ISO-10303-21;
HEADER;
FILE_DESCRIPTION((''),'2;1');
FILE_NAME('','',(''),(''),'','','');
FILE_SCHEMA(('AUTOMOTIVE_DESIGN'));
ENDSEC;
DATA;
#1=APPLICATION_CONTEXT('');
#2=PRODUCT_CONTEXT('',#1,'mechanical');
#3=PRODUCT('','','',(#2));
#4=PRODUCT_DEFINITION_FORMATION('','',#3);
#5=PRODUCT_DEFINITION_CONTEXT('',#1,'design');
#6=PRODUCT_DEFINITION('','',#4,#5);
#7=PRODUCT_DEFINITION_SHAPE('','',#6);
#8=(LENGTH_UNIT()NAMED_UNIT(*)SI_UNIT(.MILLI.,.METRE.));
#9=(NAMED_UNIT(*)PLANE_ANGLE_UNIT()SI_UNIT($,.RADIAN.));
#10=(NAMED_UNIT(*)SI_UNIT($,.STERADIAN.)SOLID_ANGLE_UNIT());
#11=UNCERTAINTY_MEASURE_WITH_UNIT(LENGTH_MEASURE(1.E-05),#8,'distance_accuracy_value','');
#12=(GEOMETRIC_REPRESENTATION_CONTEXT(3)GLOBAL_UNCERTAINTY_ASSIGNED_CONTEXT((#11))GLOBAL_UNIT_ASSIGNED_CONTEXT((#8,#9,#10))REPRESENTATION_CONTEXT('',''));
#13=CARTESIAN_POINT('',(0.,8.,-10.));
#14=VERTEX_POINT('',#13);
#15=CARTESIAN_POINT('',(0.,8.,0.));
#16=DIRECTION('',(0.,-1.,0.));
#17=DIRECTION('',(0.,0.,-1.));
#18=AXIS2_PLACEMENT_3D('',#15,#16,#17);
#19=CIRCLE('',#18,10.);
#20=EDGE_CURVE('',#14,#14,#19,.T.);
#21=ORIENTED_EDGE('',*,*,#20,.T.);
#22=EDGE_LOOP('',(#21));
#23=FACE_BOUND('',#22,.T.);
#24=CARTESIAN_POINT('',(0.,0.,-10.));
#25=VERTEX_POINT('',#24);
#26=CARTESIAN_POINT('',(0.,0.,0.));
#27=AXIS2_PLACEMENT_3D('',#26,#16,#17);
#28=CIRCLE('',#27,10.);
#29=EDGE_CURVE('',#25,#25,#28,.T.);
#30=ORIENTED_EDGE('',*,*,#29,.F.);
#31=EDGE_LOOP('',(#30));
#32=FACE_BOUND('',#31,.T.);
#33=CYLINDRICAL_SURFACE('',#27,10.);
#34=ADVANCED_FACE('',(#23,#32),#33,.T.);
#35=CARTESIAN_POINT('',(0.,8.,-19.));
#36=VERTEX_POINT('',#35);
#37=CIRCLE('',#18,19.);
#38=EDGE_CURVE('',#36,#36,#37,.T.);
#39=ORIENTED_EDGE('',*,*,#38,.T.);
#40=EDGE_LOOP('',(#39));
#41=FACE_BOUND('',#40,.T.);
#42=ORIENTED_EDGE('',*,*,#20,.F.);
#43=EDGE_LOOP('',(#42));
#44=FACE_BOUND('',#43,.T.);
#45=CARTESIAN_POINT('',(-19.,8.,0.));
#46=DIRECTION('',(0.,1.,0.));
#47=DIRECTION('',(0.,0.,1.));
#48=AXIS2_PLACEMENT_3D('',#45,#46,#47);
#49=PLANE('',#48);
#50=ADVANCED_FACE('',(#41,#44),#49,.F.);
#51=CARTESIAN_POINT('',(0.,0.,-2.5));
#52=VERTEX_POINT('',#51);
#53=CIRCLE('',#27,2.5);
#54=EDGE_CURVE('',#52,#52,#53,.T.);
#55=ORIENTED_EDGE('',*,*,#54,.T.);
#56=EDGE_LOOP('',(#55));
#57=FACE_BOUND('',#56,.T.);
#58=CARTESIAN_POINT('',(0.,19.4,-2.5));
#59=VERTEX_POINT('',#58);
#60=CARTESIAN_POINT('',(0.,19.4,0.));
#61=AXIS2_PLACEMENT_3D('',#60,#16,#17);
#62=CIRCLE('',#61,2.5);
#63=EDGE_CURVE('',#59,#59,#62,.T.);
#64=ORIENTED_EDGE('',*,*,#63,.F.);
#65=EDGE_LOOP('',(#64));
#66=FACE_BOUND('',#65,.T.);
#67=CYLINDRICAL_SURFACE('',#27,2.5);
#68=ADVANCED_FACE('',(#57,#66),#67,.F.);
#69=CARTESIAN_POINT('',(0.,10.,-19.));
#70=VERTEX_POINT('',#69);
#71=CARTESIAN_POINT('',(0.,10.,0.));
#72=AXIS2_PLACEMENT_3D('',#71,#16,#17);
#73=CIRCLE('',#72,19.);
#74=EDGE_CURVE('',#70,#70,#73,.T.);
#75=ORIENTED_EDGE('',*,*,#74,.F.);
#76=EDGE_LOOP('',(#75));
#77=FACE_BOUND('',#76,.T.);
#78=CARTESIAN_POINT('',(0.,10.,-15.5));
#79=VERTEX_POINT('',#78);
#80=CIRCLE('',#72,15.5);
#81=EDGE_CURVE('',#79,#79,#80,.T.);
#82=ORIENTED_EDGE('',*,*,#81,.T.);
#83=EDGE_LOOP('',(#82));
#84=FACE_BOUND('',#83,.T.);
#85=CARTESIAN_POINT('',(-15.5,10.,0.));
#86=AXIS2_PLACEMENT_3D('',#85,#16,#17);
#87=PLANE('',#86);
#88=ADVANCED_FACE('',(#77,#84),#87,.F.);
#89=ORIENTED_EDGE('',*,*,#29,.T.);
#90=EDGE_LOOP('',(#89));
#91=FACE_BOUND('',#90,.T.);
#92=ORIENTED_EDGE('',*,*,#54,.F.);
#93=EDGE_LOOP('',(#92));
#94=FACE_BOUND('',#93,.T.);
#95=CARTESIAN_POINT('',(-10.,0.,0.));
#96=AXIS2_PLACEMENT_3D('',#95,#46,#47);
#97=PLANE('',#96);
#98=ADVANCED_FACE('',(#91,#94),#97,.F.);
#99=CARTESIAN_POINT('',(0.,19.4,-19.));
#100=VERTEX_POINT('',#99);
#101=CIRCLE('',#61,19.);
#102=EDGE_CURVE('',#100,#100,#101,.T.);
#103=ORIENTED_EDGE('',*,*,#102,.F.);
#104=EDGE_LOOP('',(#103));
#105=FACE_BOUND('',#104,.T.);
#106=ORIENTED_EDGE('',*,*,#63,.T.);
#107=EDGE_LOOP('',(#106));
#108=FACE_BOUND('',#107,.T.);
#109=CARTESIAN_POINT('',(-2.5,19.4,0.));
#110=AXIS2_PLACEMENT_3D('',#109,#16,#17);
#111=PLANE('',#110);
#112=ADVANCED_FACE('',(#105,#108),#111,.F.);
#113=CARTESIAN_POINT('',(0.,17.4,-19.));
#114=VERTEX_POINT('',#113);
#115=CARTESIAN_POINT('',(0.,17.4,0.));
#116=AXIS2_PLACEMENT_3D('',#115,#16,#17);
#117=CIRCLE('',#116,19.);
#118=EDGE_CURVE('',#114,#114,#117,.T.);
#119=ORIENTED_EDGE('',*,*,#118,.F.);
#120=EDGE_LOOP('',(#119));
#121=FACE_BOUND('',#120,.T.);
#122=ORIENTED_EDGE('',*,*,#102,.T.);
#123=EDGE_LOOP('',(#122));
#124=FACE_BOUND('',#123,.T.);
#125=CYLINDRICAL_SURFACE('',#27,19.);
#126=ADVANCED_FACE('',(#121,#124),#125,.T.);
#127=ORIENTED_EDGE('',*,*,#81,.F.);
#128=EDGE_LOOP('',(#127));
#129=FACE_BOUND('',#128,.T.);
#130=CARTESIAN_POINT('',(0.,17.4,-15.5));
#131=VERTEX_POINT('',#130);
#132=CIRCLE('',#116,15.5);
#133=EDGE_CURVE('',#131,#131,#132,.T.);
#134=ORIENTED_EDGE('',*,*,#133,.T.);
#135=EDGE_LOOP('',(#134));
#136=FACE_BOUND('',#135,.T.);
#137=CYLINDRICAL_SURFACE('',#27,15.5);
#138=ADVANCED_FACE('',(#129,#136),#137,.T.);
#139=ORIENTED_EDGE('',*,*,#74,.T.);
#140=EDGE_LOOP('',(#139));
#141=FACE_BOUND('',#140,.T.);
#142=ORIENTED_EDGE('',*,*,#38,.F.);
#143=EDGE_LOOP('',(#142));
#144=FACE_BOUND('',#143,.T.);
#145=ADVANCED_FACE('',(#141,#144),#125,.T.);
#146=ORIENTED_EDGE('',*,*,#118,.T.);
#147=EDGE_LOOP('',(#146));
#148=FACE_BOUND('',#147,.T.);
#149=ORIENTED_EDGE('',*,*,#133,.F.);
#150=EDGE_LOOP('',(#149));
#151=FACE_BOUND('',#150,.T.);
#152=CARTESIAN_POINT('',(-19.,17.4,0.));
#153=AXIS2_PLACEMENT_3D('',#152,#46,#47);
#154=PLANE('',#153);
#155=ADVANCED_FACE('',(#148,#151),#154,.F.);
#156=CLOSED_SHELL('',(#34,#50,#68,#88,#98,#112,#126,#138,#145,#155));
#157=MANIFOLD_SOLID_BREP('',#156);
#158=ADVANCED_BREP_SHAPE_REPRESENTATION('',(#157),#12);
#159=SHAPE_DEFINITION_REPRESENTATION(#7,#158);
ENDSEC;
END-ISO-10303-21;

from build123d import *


with BuildPart() as part:
    # Эскиз1 → Повернуть1 (revolve)
    with BuildSketch(Plane.XY):
        Polygon((-2.5, 19.4), (-19, 19.4), (-19, 17.4), (-15.5, 17.4), (-15.5, 10), (-19, 10), (-19, 8), (-10, 8), (-10, 0), (-2.5, 0), align=None)
    revolve(axis=Axis((0, 0, 0), (0, 1, 0)))


solid = part.part
